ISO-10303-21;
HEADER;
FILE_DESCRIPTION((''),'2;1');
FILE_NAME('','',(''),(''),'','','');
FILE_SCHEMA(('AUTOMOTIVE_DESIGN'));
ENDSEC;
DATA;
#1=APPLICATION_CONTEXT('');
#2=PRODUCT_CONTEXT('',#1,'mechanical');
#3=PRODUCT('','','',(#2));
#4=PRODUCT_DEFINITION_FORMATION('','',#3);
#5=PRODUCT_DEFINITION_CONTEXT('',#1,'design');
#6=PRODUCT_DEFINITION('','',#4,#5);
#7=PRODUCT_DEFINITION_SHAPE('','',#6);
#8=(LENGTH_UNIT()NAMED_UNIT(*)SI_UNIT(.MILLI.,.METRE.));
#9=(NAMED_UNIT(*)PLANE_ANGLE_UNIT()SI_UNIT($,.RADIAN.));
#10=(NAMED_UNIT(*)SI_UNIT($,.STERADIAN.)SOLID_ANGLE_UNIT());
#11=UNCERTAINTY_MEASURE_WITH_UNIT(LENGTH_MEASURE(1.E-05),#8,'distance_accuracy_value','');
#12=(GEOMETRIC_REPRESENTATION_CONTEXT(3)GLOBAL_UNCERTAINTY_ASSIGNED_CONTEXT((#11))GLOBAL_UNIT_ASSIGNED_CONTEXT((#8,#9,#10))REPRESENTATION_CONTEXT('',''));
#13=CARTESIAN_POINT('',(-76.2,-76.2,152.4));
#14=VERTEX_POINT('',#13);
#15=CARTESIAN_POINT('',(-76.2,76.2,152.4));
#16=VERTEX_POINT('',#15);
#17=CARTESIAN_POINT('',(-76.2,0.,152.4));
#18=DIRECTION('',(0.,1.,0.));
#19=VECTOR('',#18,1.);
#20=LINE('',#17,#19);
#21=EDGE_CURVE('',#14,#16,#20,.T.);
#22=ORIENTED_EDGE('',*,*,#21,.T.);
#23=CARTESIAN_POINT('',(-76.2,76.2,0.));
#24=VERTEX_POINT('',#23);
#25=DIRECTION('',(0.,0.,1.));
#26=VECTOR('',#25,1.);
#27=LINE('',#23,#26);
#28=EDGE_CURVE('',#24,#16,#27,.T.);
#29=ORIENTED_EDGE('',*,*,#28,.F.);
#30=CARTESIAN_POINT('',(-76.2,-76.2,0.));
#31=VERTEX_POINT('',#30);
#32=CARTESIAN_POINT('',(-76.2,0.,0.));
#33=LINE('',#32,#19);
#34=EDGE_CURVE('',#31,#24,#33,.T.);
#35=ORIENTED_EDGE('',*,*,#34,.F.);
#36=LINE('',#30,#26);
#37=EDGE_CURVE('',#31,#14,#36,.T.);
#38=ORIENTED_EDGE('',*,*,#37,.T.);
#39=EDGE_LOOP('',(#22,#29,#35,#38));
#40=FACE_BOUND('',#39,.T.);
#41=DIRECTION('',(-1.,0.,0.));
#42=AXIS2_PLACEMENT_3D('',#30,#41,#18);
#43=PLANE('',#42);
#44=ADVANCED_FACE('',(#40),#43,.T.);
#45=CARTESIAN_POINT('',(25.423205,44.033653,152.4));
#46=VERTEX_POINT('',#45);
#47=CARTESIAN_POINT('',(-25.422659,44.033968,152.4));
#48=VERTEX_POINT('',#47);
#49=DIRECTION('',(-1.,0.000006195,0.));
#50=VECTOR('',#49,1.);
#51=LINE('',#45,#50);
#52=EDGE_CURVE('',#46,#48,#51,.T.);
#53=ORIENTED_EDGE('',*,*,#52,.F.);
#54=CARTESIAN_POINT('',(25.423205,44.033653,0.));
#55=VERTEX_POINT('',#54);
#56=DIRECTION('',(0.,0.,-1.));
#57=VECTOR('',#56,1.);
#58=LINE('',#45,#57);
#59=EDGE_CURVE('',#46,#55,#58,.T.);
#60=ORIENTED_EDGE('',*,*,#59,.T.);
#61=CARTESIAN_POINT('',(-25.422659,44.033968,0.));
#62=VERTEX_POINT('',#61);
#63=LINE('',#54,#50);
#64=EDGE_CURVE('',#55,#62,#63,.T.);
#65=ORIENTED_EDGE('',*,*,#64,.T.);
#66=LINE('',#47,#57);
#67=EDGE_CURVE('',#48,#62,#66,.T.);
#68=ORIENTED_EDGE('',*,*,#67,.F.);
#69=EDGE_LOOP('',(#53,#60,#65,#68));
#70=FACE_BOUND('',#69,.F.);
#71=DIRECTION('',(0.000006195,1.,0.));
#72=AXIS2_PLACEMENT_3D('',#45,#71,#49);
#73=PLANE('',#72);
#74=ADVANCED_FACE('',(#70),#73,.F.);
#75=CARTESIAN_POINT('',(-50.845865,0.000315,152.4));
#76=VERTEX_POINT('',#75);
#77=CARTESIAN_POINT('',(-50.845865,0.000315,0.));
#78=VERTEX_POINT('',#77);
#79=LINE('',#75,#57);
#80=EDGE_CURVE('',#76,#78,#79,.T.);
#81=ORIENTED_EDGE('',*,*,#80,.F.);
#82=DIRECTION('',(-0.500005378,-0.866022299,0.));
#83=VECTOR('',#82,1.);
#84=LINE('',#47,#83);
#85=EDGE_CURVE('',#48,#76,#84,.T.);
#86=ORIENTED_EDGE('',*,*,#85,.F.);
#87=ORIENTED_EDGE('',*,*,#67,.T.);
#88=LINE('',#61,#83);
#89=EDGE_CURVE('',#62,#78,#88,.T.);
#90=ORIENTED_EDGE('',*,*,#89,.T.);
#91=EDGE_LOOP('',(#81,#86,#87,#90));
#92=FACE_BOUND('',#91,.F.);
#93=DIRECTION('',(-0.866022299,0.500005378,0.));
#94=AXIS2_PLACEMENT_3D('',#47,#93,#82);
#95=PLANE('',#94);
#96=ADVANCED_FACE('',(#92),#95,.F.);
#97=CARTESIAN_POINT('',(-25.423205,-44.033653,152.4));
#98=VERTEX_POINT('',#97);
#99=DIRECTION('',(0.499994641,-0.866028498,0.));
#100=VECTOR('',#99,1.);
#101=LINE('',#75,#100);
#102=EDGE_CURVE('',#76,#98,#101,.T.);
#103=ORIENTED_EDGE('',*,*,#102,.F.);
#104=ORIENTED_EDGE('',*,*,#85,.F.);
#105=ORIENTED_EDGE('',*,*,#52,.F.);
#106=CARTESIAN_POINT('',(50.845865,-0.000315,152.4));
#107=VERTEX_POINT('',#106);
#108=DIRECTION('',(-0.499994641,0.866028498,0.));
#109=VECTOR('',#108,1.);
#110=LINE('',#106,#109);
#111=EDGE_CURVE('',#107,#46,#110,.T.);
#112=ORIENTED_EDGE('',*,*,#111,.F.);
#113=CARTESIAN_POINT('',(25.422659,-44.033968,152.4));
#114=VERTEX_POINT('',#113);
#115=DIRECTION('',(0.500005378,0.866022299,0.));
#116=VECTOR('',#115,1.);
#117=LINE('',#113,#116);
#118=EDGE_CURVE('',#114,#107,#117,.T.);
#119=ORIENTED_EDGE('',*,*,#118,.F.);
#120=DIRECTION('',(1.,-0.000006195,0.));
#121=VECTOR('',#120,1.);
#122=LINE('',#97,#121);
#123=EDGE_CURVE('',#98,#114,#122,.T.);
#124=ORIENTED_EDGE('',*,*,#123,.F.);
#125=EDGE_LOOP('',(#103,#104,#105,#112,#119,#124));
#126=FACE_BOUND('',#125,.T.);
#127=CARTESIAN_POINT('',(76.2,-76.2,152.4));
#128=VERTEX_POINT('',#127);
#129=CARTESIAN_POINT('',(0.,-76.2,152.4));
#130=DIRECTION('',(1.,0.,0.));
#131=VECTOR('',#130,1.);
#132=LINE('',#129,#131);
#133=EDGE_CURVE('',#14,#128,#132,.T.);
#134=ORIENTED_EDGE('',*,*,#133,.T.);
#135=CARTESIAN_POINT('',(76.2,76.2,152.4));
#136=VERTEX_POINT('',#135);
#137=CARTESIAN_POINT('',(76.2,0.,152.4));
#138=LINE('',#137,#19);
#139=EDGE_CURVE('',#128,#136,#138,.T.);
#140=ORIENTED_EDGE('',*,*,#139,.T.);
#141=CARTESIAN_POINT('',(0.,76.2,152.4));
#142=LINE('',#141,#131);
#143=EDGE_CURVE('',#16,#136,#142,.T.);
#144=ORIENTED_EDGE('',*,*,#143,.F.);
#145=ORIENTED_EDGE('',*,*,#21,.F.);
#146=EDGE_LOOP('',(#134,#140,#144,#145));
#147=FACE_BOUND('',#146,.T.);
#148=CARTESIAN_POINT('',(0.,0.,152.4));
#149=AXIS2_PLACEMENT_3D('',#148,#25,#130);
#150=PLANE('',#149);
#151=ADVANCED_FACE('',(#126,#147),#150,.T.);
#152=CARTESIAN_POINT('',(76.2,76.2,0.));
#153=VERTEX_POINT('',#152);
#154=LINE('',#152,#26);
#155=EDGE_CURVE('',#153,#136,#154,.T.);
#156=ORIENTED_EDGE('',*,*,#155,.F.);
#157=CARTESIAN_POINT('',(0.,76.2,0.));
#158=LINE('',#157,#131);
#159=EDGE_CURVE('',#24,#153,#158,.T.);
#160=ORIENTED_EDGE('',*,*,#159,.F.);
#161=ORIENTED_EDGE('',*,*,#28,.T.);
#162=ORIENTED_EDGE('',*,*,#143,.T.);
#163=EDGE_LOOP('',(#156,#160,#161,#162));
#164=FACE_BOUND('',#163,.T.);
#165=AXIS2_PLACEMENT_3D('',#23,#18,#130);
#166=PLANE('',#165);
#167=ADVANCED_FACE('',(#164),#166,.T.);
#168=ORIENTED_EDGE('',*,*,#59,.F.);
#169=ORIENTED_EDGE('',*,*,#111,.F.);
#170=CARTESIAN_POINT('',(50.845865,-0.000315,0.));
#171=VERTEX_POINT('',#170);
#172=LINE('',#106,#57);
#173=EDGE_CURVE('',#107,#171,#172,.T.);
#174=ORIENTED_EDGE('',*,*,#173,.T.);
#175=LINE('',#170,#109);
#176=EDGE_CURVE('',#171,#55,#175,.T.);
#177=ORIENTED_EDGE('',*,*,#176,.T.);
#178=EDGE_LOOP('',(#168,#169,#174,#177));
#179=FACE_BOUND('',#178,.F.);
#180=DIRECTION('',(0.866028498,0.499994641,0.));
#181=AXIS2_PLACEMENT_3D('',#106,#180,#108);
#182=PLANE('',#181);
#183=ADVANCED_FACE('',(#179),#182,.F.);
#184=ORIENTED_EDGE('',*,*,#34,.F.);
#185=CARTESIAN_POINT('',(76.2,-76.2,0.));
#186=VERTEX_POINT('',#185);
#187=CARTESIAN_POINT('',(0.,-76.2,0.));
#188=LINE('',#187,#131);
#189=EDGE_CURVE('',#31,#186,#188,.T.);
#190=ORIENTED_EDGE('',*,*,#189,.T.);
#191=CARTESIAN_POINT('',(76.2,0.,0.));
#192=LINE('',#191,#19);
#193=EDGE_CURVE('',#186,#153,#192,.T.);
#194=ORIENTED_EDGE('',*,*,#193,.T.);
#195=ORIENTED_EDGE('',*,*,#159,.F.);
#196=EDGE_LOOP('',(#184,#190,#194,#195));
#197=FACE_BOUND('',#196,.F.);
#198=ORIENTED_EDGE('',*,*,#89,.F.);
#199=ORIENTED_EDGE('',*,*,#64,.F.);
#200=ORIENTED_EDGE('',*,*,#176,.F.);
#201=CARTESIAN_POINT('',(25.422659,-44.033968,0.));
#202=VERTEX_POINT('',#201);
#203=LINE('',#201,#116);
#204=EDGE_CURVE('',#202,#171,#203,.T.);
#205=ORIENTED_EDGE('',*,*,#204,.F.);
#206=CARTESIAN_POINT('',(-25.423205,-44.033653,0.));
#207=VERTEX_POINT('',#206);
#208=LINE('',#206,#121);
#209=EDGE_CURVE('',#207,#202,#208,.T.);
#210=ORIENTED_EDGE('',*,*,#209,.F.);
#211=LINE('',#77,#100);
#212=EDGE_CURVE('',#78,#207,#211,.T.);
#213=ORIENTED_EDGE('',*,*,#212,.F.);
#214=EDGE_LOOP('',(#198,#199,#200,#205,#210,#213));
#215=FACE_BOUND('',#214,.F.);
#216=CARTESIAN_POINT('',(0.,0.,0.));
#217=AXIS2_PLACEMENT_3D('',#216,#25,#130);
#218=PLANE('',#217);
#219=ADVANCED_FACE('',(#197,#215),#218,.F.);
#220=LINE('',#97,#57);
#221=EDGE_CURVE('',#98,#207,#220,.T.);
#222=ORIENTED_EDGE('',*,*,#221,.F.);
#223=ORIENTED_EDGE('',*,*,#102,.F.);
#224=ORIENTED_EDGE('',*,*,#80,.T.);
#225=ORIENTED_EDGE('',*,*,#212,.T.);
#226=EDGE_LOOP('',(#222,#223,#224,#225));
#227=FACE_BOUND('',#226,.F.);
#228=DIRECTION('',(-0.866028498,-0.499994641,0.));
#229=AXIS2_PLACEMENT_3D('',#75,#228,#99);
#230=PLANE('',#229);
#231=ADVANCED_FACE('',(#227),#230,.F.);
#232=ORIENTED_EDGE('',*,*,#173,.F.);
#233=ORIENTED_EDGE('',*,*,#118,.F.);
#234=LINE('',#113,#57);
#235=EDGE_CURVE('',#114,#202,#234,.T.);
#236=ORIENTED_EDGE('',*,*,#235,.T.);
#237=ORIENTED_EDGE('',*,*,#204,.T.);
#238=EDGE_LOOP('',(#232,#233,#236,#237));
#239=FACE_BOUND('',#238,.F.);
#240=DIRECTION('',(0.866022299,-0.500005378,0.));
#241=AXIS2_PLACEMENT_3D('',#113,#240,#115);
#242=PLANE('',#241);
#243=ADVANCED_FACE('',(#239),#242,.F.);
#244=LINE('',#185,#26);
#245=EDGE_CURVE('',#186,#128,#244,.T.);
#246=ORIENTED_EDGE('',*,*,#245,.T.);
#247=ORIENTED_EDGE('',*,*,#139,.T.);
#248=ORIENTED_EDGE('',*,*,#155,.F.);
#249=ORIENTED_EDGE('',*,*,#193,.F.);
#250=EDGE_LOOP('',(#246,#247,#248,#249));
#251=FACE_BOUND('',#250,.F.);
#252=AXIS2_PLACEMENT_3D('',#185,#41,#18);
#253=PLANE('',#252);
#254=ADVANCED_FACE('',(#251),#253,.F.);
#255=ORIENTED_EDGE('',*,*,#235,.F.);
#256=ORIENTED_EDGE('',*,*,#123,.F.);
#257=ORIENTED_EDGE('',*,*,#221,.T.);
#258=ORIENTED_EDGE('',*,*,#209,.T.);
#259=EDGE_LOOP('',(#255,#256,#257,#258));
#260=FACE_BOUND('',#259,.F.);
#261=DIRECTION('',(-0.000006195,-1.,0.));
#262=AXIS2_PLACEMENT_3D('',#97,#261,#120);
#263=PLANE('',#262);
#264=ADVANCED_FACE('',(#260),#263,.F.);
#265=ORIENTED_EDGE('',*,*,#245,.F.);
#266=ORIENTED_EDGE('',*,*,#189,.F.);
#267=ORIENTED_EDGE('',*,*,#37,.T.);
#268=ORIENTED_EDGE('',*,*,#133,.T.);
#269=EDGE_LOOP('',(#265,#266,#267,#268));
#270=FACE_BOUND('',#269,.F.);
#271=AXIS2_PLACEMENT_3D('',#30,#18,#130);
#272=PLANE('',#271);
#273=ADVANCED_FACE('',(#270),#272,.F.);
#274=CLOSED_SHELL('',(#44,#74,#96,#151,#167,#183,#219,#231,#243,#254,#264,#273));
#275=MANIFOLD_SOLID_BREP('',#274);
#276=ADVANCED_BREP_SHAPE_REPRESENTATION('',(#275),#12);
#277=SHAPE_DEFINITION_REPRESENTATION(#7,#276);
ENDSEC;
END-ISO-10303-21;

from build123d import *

# Parameters (mm, degrees)
F0_W     = 152.4
F0_H     = 152.4
F1_DEPTH = 152.4
F3_DEPTH = 152.4


with BuildPart() as f1:
    # F0 (on Top) → F1 (new body)
    with BuildSketch(Plane.XY):
        Rectangle(F0_W, F0_H)
    extrude(amount=F1_DEPTH)

    # F2 (on face) → F3 (cut)
    with BuildSketch(Plane.XY.offset(152.4)):
        Polygon((-25.422659, 44.033968), (-50.845865, 0.000315), (-25.423205, -44.033653), (25.422659, -44.033968), (50.845865, -0.000315), (25.423205, 44.033653), align=None)
    extrude(amount=-F3_DEPTH, mode=Mode.SUBTRACT)


solid = f1.part
